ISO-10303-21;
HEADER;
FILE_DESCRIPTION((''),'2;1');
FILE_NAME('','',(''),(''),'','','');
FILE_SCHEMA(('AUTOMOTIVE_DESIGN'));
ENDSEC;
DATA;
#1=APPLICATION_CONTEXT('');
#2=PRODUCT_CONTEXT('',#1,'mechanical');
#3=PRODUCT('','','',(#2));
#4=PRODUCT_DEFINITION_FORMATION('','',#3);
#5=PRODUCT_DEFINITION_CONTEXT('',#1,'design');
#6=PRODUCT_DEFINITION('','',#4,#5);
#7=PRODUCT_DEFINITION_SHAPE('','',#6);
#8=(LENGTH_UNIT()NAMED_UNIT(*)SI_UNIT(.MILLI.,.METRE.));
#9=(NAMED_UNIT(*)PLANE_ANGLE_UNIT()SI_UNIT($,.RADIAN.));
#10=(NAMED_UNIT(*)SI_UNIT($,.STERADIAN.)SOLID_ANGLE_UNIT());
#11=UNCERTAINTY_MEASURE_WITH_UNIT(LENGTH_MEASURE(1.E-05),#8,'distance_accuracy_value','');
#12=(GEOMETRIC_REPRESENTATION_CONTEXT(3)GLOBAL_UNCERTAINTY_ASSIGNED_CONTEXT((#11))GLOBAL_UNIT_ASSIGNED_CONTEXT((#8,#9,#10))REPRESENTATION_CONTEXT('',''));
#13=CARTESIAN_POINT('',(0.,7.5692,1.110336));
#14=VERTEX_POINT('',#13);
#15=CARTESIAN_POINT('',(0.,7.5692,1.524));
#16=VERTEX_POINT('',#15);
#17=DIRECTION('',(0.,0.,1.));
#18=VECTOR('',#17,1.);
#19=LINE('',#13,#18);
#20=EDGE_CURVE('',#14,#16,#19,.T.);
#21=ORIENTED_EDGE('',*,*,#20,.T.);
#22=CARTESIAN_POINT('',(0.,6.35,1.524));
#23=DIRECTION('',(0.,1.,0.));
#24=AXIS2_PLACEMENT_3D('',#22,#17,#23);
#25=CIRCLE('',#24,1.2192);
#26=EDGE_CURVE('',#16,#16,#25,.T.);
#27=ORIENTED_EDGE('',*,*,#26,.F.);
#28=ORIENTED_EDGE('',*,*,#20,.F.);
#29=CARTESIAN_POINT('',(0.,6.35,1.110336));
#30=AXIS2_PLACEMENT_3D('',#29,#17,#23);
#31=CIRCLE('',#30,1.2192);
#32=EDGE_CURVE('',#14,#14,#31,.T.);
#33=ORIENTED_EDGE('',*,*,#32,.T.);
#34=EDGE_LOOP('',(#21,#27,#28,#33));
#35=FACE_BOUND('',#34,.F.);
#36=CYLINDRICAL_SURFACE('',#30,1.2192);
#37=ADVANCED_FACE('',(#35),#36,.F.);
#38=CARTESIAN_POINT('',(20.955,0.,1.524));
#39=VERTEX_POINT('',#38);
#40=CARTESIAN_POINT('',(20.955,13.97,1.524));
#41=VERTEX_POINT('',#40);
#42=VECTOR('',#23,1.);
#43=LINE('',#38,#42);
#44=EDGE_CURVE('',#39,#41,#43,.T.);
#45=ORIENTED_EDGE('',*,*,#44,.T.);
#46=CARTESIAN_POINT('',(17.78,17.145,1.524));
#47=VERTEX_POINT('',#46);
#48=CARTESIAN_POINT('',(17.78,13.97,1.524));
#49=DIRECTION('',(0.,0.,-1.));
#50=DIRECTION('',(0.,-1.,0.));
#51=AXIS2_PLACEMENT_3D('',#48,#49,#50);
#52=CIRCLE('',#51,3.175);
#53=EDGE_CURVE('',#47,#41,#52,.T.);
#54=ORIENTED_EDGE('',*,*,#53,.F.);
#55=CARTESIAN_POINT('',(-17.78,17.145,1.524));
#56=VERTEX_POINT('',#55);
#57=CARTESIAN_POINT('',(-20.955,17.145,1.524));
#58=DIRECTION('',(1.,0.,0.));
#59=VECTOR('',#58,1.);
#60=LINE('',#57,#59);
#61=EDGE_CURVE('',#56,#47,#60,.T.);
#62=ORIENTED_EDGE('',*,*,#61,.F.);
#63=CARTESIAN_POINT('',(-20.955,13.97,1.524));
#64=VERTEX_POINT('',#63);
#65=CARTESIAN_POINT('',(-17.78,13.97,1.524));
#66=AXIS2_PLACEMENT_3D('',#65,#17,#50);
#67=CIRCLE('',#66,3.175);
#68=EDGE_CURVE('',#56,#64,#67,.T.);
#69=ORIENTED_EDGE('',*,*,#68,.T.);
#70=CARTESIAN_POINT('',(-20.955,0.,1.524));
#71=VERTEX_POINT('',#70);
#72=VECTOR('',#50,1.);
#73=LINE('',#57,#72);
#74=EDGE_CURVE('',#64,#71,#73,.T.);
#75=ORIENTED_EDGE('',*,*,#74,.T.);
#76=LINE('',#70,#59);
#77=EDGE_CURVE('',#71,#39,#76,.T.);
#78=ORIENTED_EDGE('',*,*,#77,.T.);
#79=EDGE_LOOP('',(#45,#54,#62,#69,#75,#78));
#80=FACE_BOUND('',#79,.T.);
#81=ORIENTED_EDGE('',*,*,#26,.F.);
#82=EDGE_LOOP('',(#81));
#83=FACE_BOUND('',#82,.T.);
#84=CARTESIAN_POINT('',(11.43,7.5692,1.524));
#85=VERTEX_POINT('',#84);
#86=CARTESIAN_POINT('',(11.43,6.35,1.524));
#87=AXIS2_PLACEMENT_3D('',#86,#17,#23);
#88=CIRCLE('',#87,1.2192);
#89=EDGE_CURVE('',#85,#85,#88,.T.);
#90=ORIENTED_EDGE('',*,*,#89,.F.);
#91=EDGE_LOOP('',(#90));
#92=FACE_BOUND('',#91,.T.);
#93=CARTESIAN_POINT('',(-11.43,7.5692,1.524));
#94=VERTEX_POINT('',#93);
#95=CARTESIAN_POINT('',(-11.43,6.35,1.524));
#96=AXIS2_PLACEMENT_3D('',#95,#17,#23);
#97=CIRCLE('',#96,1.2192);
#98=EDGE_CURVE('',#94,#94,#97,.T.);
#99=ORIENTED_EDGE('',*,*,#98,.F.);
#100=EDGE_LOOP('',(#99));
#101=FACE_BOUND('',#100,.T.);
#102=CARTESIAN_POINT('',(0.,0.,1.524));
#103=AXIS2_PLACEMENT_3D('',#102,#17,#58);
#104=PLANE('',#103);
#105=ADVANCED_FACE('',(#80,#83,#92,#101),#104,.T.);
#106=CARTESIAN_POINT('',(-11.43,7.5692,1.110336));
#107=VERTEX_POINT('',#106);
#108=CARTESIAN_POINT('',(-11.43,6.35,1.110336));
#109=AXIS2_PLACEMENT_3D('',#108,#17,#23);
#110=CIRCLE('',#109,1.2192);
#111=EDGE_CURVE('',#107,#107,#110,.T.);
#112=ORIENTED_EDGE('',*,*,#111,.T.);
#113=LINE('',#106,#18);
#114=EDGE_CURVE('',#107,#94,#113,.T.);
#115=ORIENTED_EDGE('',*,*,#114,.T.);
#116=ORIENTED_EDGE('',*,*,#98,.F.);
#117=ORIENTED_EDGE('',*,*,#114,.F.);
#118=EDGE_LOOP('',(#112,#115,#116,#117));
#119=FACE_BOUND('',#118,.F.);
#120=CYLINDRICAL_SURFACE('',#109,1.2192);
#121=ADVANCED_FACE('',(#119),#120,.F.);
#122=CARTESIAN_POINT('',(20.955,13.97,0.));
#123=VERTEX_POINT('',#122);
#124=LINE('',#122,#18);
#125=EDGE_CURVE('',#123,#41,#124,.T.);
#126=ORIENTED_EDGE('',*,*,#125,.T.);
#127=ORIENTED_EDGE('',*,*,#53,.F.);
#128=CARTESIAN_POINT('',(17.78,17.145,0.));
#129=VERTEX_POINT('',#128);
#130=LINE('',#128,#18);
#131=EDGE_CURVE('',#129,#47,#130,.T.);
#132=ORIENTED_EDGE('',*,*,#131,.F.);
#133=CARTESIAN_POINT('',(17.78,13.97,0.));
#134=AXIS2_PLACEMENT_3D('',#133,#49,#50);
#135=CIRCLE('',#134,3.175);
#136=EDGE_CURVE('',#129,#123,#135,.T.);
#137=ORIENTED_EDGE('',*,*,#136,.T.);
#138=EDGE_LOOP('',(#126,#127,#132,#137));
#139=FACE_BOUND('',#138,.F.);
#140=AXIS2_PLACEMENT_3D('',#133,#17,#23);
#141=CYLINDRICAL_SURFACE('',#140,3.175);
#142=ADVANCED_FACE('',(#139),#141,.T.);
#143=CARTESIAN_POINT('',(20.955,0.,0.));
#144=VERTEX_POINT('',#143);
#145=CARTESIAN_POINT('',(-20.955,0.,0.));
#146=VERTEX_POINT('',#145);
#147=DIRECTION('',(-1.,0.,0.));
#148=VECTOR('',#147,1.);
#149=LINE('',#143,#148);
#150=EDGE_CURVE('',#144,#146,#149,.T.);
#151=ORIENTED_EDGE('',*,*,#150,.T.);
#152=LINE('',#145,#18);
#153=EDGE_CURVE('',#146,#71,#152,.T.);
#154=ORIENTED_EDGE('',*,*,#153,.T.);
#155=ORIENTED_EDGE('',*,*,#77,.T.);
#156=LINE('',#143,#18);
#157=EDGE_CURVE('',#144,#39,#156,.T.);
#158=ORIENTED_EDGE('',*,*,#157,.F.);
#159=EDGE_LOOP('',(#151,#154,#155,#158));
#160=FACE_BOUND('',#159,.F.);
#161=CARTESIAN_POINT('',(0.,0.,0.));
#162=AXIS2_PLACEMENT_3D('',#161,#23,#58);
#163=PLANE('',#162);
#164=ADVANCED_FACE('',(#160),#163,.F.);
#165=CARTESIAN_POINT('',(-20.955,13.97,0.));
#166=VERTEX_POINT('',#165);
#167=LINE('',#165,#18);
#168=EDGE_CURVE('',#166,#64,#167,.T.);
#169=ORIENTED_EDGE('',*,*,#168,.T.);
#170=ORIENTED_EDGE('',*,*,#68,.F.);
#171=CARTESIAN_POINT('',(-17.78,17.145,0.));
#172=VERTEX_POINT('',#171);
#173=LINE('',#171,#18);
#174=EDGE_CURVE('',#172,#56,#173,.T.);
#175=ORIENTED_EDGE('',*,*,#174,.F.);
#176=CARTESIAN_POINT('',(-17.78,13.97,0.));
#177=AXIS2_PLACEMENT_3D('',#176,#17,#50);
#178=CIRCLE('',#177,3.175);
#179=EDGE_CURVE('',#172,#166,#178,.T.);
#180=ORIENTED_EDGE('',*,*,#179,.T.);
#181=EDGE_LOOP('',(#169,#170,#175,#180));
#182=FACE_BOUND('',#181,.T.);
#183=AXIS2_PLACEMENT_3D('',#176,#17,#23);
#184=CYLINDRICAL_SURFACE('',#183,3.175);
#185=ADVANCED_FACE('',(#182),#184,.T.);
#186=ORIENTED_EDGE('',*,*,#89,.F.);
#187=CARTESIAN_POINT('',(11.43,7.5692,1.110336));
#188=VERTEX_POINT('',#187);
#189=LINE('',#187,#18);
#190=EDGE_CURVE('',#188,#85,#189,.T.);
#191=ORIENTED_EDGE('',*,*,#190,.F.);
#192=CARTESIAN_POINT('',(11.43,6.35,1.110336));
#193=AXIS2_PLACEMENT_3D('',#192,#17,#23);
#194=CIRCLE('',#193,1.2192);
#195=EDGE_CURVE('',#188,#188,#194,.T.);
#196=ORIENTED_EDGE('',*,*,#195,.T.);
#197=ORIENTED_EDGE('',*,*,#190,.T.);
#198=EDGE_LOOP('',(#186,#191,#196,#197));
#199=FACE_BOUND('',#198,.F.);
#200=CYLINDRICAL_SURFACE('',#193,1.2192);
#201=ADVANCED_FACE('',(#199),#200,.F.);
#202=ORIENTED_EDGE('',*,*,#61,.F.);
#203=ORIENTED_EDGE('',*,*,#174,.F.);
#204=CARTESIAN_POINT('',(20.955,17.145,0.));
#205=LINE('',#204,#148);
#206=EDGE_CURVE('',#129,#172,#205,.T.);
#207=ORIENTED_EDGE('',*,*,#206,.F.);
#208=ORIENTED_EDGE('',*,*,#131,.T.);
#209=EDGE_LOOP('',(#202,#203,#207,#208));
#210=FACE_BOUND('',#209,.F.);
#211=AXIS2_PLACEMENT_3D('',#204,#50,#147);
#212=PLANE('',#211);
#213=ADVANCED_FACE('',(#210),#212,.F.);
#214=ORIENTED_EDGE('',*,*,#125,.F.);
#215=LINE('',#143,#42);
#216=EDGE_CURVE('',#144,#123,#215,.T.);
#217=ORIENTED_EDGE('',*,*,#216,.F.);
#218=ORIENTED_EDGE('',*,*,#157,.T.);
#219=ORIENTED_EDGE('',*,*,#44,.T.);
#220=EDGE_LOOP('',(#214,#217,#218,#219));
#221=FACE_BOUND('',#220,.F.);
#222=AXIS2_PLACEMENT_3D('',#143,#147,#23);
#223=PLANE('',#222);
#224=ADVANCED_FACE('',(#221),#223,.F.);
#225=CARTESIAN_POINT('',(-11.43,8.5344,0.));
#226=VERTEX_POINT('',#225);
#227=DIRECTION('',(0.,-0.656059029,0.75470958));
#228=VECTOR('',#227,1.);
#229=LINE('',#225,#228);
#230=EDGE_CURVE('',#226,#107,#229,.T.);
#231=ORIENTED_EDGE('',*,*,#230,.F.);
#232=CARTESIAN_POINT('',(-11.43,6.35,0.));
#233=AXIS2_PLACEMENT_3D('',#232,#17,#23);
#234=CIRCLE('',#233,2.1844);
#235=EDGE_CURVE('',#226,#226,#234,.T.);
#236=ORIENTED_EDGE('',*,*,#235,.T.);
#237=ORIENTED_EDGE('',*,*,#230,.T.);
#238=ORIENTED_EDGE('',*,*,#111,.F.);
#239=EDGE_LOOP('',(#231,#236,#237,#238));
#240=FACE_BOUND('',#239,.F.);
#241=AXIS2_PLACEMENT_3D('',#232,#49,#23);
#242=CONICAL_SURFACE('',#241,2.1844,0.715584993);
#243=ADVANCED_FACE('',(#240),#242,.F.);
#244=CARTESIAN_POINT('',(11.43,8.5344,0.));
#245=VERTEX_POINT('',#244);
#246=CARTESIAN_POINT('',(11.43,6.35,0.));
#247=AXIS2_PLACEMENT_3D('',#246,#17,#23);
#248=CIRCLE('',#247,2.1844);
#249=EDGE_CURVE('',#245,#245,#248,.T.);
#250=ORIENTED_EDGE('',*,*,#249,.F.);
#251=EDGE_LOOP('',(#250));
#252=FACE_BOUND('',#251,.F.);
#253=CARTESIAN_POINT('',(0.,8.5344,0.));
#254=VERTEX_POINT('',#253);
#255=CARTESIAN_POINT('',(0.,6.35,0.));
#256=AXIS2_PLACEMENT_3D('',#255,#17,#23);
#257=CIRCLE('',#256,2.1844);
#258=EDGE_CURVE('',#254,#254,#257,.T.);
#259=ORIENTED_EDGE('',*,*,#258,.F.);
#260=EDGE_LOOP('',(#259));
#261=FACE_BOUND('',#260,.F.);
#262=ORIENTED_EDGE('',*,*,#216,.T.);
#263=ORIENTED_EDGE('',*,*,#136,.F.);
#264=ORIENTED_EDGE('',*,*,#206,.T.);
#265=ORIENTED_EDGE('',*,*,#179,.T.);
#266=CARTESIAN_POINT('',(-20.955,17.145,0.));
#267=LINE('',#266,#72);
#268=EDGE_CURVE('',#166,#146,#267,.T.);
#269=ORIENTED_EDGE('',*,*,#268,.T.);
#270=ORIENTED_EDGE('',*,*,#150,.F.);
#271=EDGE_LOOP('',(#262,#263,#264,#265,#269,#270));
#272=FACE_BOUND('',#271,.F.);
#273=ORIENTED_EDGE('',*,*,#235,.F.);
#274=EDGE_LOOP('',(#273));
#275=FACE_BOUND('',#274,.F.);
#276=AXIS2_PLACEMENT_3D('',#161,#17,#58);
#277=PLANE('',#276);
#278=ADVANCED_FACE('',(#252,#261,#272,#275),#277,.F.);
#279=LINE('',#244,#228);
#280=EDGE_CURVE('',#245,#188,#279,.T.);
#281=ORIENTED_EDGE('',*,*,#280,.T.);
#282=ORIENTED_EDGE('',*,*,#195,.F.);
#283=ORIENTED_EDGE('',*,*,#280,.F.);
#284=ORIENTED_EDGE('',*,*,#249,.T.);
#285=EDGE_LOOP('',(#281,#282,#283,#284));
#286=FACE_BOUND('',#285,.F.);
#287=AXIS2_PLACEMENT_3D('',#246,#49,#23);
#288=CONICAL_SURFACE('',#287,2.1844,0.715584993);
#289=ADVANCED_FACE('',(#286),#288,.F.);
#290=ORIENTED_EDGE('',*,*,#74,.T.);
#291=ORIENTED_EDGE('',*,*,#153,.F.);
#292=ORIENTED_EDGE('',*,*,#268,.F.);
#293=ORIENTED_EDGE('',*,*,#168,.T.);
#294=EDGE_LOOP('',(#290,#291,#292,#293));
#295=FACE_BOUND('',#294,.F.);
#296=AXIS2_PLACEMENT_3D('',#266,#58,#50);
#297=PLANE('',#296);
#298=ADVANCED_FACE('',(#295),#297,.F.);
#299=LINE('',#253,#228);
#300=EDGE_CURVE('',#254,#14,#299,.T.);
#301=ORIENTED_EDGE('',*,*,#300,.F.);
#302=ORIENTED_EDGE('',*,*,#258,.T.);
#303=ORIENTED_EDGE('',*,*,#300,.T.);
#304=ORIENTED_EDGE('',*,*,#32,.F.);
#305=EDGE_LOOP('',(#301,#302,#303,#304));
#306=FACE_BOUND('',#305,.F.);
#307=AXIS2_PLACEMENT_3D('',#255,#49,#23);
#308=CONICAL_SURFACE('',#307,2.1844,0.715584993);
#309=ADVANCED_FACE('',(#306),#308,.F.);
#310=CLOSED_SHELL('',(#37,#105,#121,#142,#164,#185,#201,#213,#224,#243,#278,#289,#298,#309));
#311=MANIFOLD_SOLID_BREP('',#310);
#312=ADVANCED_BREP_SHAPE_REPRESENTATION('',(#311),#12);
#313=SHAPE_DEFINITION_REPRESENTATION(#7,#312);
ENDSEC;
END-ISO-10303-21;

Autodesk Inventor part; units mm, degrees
ref_plane "YZ Plane" through (0, 0, 0) normal (1, 0, 0) x (0, 1, 0)
ref_plane "XZ Plane" through (0, 0, 0) normal (0, 1, 0) x (-1, 0, 0)
ref_plane "XY Plane" through (0, 0, 0) normal (0, 0, 1) x (1, 0, 0)
sketch "Sketch1" plane through (0, 0, 0) normal (0, 0, 1) x (1, 0, 0)
  line L0 (0, 20.574) -> (0, -3.429) projected
  line L1 (-29.337, 0) -> (29.337, 0) projected
  line L2 (20.955, 17.145) -> (-20.955, 17.145)
  line L3 (-20.955, 17.145) -> (-20.955, 0)
  line L4 (-20.955, 0) -> (20.955, 0)
  line L5 (20.955, 0) -> (20.955, 17.145)
  line L6 (20.955, 17.145) -> (-20.955, 0) construction
  line L7 (-20.955, 17.145) -> (20.955, 0) construction
  point P0 (0, 0)
  point P1 (0, 8.5725)
  point P2 (-11.43, 6.35)
  point P3 (0, 6.35)
  point P4 (11.43, 6.35)
  dimension "d0" = 41.91
  dimension "d1" = 17.145
  dimension "d2" = 11.43
  dimension "d3" = 11.43
  dimension "d4" = 6.35
extrude "Extrusion1" add sketch "Sketch1" along normal blind 1.524
fillet "Fillet1" radius 3.175 2 edges at (20.955, 17.145, 0.762) (-20.955, 17.145, 0.762)
hole "Hole1" at (-11.43, 6.35, 0) at (0, 6.35, 0) at (11.43, 6.35, 0) direction (0, 0, 1) diameter 2.4384 end through all countersink diameter 4.3688 countersink angle 82 clearance for "Flat Head Machine Screw (82)" size "#2" standard "Ansi Unified Screw Threads"
properties material "DELRIN 100, BLACK (EXTRUDED)"
